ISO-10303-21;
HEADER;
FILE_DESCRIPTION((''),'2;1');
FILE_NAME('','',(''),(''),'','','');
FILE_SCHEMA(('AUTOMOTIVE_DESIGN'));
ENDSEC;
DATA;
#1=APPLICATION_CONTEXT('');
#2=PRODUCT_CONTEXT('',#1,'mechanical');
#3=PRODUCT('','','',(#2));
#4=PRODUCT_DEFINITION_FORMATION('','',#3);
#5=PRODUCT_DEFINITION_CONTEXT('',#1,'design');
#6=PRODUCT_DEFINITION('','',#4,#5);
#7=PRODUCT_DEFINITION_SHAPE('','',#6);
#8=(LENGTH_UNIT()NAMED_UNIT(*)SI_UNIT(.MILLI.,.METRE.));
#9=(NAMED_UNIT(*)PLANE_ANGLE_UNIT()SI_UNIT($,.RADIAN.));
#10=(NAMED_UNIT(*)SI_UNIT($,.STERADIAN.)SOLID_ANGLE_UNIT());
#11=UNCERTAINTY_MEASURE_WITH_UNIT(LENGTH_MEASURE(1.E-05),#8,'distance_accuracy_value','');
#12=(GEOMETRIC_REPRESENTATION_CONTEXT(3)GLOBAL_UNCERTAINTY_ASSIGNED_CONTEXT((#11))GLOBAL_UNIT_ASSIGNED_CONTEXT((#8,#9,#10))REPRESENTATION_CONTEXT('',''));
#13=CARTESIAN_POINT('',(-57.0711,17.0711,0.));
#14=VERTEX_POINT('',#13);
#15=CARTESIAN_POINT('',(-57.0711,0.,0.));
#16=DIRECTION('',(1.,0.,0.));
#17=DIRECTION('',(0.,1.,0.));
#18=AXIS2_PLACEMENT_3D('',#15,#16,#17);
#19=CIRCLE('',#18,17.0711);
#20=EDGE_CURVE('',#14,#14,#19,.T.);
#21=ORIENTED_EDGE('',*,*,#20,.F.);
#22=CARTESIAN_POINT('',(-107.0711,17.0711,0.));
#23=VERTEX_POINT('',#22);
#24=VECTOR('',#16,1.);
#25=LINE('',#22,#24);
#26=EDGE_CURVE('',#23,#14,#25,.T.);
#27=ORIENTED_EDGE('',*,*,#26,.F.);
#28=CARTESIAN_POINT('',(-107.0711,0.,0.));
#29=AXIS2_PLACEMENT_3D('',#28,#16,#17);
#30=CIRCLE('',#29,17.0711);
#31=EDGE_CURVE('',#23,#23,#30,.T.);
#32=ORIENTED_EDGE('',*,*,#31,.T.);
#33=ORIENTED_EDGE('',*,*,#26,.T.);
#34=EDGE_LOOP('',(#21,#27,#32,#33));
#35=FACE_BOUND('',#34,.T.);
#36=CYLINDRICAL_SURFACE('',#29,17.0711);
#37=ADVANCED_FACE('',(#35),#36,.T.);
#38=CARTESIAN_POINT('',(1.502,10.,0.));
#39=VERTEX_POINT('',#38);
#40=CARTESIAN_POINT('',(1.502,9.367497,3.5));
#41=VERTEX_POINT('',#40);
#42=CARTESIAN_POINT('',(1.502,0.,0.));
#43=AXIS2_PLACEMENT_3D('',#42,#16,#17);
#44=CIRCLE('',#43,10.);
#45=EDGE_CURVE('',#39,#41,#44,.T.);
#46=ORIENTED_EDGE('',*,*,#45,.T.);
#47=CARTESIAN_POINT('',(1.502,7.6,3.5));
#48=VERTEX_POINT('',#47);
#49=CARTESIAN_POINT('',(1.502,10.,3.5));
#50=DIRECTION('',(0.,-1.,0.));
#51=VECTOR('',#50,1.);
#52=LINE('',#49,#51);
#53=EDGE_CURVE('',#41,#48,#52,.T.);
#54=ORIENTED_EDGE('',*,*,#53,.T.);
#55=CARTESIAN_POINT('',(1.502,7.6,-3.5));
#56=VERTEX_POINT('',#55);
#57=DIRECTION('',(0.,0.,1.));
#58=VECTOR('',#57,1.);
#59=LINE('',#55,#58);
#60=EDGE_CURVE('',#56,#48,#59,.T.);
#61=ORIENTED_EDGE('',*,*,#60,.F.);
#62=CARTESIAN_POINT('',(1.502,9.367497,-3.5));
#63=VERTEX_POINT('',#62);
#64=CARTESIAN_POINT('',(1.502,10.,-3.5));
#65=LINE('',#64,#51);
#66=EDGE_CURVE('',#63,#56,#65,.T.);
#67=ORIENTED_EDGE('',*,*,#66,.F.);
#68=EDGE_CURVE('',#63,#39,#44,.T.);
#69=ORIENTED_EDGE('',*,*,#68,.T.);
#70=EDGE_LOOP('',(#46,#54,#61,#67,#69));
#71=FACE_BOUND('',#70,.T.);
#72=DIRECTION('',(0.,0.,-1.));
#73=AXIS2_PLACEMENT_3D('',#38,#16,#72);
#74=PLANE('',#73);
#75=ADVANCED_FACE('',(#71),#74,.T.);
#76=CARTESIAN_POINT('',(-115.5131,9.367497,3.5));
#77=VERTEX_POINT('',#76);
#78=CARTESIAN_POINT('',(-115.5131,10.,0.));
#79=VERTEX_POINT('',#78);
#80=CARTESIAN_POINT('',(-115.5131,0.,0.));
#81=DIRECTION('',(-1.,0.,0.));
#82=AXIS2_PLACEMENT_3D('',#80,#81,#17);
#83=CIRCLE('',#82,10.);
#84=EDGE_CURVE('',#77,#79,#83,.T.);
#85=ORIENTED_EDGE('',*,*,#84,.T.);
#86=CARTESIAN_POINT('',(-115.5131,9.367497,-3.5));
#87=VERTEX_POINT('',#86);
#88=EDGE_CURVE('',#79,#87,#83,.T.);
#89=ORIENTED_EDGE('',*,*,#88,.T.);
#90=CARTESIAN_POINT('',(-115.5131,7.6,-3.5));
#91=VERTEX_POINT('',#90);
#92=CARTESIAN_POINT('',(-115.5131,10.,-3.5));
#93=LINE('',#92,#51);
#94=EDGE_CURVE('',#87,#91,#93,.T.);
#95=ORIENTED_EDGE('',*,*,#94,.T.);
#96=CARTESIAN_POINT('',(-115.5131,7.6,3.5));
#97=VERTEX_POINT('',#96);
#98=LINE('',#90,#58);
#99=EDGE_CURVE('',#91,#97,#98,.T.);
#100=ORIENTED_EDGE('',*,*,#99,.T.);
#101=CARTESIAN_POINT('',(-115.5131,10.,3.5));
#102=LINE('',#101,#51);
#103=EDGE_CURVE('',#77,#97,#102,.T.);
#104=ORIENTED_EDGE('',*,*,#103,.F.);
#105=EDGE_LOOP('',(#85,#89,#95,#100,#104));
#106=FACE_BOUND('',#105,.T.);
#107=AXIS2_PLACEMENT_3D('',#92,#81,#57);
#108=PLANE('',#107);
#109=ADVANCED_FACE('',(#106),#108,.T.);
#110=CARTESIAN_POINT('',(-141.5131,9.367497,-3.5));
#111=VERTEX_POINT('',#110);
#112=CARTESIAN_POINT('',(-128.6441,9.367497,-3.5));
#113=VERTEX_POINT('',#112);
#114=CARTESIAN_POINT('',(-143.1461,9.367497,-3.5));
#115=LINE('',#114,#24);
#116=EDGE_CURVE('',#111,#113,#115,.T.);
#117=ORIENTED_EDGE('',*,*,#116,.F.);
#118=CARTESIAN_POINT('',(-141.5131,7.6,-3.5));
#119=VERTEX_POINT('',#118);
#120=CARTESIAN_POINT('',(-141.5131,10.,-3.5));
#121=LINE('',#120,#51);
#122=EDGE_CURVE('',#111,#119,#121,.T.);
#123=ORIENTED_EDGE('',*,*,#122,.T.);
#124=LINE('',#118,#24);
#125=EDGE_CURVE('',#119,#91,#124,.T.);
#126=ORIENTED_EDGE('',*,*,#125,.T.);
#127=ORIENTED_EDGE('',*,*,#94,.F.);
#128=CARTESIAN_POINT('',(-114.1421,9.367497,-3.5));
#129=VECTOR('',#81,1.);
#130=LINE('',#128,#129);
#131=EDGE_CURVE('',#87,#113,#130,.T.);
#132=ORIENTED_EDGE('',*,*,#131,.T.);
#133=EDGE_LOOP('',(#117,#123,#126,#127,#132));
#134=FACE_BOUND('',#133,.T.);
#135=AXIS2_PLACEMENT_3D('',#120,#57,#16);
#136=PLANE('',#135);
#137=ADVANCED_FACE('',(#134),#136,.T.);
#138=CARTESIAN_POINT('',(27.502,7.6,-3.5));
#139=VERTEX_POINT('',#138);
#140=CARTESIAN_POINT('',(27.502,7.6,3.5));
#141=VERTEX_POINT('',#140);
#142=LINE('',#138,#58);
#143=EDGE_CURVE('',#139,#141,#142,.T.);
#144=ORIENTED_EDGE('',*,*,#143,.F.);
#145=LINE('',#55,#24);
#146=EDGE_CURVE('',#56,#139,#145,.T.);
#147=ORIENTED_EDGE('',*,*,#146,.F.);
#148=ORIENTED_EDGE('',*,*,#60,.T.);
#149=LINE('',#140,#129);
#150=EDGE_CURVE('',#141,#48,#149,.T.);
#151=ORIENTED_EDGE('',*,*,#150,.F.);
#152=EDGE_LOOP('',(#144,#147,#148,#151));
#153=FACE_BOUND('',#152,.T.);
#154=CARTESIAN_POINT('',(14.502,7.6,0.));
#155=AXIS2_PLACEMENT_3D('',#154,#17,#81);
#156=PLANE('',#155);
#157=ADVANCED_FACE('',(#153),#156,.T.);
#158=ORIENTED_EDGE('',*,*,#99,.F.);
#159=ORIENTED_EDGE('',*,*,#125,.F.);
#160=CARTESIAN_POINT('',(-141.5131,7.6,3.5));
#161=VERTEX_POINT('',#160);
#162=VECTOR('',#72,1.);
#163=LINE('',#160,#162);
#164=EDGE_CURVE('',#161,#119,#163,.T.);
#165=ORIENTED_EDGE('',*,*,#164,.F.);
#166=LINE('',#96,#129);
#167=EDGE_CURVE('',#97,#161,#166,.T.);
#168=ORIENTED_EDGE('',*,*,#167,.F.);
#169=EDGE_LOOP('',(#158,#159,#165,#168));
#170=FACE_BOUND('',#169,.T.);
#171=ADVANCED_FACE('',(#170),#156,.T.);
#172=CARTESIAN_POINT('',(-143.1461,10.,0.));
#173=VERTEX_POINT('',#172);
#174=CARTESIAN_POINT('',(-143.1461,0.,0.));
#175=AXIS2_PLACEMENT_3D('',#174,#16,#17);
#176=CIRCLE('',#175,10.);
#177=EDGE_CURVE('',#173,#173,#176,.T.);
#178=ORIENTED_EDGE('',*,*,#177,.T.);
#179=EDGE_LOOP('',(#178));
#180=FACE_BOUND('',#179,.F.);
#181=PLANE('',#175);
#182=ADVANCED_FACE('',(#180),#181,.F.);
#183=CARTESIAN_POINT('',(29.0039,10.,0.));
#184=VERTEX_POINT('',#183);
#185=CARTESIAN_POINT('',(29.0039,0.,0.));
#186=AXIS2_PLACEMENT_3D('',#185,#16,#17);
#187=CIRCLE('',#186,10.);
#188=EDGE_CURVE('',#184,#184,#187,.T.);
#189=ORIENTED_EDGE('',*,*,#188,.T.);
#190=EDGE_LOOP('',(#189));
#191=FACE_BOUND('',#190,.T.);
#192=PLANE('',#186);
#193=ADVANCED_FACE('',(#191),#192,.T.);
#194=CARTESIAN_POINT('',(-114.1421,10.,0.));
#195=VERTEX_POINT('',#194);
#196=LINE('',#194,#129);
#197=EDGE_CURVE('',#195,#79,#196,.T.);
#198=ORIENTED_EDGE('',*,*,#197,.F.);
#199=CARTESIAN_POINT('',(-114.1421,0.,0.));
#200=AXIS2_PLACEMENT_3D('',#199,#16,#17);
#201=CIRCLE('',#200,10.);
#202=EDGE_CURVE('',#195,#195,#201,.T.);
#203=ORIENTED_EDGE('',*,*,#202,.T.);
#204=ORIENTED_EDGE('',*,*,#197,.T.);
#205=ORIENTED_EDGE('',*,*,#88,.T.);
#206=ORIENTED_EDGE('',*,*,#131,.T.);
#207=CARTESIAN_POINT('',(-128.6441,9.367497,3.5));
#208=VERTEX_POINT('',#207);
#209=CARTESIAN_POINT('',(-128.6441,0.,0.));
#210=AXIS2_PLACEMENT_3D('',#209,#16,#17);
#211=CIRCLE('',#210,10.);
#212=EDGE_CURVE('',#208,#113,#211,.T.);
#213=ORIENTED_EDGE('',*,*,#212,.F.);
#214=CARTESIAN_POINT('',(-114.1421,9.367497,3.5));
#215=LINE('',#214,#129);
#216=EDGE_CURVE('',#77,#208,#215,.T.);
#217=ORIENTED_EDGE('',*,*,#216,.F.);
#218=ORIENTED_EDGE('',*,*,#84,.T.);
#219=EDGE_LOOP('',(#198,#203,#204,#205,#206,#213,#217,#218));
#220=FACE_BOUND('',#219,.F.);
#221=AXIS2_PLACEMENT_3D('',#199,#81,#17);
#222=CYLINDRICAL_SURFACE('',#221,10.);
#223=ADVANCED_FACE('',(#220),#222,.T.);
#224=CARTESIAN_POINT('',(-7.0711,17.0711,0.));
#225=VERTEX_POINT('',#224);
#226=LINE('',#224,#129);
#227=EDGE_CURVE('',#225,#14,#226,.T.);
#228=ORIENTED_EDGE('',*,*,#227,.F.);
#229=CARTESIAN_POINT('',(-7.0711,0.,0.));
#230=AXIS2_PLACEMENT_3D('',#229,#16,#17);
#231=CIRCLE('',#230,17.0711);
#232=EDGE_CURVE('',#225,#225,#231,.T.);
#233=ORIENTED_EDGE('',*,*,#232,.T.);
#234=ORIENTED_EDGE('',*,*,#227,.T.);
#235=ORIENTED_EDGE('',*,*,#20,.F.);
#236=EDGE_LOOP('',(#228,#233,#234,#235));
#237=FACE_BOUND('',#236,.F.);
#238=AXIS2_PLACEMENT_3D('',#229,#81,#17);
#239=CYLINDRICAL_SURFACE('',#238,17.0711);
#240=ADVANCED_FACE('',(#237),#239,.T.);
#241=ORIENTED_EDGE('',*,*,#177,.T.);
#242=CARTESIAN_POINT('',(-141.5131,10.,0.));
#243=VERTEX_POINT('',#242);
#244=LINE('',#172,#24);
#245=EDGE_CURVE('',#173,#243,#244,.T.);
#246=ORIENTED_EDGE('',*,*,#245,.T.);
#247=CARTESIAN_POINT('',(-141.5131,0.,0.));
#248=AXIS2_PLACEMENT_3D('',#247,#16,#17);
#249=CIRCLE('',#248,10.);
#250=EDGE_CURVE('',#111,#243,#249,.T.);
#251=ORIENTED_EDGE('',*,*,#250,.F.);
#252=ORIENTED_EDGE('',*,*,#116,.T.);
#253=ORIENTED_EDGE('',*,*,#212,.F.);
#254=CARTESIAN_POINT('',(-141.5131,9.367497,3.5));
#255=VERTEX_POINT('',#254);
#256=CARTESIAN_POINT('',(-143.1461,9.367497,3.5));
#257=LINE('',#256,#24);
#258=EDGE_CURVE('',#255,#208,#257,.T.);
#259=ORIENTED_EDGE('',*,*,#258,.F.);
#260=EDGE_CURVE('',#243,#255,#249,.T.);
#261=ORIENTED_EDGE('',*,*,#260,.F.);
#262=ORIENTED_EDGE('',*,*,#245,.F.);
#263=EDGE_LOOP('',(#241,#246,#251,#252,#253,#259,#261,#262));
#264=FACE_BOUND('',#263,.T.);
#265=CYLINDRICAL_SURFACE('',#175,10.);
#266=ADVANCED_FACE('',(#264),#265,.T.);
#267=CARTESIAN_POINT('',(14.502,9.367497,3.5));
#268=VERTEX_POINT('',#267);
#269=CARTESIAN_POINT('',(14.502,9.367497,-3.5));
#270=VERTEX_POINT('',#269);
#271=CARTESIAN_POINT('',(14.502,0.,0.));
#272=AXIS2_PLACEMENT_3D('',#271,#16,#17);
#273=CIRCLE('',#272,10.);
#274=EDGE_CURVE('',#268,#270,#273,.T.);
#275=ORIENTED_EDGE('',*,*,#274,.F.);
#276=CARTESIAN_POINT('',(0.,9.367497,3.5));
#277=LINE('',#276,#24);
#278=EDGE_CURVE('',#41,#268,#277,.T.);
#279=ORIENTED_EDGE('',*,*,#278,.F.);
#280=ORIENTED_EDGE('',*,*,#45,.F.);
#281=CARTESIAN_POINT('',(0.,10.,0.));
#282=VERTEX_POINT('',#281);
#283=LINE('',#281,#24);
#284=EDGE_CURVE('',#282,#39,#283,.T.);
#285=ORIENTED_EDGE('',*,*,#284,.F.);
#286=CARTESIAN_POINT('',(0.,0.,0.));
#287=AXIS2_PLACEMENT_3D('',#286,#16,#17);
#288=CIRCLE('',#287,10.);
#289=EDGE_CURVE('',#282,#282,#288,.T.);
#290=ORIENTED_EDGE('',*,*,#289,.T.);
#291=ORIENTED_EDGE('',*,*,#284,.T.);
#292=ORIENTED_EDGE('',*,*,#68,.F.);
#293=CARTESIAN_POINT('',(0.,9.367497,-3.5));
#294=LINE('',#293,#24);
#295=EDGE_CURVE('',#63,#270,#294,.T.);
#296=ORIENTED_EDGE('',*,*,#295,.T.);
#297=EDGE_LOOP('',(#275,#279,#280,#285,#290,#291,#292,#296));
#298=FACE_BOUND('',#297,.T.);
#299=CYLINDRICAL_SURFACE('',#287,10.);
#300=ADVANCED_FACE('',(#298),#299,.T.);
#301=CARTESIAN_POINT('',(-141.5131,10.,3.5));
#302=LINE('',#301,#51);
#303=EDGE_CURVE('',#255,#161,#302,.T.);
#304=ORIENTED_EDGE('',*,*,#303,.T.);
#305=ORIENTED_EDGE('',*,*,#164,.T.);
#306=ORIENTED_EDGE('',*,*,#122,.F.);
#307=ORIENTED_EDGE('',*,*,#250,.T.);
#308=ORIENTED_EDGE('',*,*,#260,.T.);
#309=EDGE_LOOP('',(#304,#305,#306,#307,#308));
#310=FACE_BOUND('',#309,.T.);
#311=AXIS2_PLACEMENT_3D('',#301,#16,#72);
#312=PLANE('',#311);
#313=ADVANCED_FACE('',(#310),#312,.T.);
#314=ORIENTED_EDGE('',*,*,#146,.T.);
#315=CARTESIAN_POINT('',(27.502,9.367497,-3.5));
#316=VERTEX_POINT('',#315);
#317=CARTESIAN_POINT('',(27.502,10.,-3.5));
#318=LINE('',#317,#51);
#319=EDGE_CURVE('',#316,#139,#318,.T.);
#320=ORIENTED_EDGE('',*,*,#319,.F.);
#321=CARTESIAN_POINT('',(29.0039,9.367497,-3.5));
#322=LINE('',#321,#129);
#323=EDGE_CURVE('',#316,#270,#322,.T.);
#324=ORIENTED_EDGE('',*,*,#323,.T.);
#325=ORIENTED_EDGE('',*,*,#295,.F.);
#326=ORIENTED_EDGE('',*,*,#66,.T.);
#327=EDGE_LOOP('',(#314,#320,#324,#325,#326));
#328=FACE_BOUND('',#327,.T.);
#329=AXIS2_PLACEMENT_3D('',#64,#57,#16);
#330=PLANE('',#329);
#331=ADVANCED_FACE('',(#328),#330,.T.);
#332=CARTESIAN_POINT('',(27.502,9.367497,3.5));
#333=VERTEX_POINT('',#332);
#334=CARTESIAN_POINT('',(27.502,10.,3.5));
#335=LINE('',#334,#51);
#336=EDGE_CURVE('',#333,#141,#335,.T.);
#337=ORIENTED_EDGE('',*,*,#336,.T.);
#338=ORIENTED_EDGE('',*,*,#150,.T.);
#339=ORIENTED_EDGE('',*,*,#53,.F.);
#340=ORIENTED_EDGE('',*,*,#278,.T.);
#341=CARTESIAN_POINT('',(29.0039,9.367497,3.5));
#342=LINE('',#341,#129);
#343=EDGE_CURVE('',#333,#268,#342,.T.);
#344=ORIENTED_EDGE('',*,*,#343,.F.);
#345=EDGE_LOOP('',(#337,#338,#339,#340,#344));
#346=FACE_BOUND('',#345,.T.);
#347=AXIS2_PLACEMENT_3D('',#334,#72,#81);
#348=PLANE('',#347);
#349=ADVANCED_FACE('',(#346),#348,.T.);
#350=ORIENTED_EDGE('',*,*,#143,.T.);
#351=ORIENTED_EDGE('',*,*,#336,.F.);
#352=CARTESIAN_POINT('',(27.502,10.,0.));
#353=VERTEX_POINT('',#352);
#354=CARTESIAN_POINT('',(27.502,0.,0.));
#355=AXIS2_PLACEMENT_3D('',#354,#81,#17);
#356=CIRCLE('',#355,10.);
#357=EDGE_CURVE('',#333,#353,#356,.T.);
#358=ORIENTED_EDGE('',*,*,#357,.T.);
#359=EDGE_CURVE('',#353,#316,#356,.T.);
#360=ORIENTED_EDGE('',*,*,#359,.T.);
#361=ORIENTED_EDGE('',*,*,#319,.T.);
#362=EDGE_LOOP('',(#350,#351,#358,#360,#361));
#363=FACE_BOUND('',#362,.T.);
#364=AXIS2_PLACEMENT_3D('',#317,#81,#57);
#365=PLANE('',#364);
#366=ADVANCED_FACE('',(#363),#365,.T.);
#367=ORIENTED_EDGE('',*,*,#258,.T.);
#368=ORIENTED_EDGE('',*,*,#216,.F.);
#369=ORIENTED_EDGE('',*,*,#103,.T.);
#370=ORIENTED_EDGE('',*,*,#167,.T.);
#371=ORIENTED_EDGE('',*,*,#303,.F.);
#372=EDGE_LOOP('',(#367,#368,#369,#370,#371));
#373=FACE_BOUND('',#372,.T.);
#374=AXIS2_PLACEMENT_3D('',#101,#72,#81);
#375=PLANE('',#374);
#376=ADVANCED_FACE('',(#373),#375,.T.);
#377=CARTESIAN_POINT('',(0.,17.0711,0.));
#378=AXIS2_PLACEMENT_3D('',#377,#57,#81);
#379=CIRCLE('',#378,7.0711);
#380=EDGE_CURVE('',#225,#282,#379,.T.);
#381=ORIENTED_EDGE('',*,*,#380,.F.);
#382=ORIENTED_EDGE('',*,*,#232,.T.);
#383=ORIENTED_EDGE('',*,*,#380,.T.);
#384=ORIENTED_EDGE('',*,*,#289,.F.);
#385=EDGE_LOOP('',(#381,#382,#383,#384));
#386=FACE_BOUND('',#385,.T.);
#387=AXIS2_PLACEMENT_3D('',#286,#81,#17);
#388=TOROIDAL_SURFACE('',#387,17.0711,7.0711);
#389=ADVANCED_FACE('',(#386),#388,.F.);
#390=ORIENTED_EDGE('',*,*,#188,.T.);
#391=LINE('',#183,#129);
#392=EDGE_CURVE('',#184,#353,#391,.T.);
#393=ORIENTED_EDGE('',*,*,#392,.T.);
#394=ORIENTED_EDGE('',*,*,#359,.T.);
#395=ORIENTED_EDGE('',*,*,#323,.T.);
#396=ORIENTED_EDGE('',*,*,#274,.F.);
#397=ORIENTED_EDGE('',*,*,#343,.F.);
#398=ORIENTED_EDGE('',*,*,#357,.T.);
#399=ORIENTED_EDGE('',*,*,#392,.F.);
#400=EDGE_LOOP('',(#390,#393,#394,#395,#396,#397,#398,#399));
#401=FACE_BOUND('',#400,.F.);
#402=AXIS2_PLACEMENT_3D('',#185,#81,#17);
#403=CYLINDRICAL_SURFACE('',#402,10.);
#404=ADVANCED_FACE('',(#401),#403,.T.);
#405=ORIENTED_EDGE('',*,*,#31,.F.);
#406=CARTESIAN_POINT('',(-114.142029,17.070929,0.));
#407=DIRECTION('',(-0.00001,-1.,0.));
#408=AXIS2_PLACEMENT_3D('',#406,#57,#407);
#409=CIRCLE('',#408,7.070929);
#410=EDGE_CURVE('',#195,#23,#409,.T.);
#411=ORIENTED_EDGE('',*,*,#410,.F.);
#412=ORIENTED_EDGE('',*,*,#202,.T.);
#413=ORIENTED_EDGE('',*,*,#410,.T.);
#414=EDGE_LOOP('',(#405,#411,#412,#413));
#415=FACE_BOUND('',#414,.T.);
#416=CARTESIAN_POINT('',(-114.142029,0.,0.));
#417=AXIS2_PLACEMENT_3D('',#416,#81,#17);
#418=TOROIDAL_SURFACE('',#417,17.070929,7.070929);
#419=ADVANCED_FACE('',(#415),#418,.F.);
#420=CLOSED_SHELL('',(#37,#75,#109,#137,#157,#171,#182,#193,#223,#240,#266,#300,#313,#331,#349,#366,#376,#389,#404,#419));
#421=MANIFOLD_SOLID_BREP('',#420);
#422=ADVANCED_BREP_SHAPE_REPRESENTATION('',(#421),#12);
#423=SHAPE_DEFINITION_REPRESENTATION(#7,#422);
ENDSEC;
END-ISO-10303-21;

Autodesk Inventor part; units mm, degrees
ref_plane "YZ Plane" through (0, 0, 0) normal (1, 0, 0) x (0, 1, 0)
ref_plane "XY Plane" through (0, 0, 0) normal (0, 0, 1) x (1, 0, 0)
sketch "Sketch1" plane through (0, 0, 0) normal (0, 0, 1) x (1, 0, 0)
  line L0 (-7.0711, 17.0711) -> (-57.0711, 17.0711)
  arc A0 (-7.0711, 17.0711) -> (0, 10) centre (0, 17.0711) ccw
  line L1 (0, 10) -> (14.502, 10)
  line L2 (14.502, 0) -> (0, 0)
  arc A1 (-114.1421, 10) -> (-107.0711, 17.0711) centre (-114.1421, 17.0711) ccw
  line L3 (-114.1421, 10) -> (-128.6441, 10)
  line L4 (-128.6441, 0) -> (-114.1421, 0)
  line L5 (-114.1421, 0) -> (0, 0)
  line L6 (-107.0711, 17.0711) -> (-57.0711, 17.0711)
  line L7 (-143.1461, 10) -> (-128.6441, 10)
  line L8 (-128.6441, 0) -> (-143.1461, 0)
  line L9 (-143.1461, 10) -> (-143.1461, 0)
  line L10 (29.0039, 10) -> (14.502, 10)
  line L11 (14.502, 0) -> (29.0039, 0)
  line L12 (29.0039, 10) -> (29.0039, 0)
revolve "Revolution1" add sketch "Sketch1" angle 360 about axis through (-114.1421, 0, 0) along (1, 0, 0)
ref_plane "Work Plane1" through (14.502, 10, 0) normal (0, 1, 0) x (-1, 0, 0)
sketch "Sketch3" plane through (14.502, 10, 0) normal (0, 1, 0) x (-1, 0, 0)
  line L0 (14.502, 0) -> (-14.502, 0)
  line L1 (-14.502, 10) -> (-14.502, -10) projected
  line L2 (13, -3.5) -> (-13, -3.5)
  line L3 (-13, -3.5) -> (-13, 3.5)
  line L4 (-13, 3.5) -> (13, 3.5)
  line L5 (13, 3.5) -> (13, -3.5)
  line L6 (13, -3.5) -> (-13, 3.5) construction
  line L7 (-13, -3.5) -> (13, 3.5) construction
  line L8 (156.0151, -3.5) -> (130.0151, -3.5)
  line L9 (130.0151, -3.5) -> (130.0151, 3.5)
  line L10 (130.0151, 3.5) -> (156.0151, 3.5)
  line L11 (156.0151, 3.5) -> (156.0151, -3.5)
  point P0 (0, 0)
  dimension "d8" = 26
  dimension "d9" = 7
  dimension "d10" = 26
  dimension "d11" = 7
extrude "Extrusion1" cut sketch "Sketch3" against normal blind 2.4
properties part number "EJE_CUÑEROS"
